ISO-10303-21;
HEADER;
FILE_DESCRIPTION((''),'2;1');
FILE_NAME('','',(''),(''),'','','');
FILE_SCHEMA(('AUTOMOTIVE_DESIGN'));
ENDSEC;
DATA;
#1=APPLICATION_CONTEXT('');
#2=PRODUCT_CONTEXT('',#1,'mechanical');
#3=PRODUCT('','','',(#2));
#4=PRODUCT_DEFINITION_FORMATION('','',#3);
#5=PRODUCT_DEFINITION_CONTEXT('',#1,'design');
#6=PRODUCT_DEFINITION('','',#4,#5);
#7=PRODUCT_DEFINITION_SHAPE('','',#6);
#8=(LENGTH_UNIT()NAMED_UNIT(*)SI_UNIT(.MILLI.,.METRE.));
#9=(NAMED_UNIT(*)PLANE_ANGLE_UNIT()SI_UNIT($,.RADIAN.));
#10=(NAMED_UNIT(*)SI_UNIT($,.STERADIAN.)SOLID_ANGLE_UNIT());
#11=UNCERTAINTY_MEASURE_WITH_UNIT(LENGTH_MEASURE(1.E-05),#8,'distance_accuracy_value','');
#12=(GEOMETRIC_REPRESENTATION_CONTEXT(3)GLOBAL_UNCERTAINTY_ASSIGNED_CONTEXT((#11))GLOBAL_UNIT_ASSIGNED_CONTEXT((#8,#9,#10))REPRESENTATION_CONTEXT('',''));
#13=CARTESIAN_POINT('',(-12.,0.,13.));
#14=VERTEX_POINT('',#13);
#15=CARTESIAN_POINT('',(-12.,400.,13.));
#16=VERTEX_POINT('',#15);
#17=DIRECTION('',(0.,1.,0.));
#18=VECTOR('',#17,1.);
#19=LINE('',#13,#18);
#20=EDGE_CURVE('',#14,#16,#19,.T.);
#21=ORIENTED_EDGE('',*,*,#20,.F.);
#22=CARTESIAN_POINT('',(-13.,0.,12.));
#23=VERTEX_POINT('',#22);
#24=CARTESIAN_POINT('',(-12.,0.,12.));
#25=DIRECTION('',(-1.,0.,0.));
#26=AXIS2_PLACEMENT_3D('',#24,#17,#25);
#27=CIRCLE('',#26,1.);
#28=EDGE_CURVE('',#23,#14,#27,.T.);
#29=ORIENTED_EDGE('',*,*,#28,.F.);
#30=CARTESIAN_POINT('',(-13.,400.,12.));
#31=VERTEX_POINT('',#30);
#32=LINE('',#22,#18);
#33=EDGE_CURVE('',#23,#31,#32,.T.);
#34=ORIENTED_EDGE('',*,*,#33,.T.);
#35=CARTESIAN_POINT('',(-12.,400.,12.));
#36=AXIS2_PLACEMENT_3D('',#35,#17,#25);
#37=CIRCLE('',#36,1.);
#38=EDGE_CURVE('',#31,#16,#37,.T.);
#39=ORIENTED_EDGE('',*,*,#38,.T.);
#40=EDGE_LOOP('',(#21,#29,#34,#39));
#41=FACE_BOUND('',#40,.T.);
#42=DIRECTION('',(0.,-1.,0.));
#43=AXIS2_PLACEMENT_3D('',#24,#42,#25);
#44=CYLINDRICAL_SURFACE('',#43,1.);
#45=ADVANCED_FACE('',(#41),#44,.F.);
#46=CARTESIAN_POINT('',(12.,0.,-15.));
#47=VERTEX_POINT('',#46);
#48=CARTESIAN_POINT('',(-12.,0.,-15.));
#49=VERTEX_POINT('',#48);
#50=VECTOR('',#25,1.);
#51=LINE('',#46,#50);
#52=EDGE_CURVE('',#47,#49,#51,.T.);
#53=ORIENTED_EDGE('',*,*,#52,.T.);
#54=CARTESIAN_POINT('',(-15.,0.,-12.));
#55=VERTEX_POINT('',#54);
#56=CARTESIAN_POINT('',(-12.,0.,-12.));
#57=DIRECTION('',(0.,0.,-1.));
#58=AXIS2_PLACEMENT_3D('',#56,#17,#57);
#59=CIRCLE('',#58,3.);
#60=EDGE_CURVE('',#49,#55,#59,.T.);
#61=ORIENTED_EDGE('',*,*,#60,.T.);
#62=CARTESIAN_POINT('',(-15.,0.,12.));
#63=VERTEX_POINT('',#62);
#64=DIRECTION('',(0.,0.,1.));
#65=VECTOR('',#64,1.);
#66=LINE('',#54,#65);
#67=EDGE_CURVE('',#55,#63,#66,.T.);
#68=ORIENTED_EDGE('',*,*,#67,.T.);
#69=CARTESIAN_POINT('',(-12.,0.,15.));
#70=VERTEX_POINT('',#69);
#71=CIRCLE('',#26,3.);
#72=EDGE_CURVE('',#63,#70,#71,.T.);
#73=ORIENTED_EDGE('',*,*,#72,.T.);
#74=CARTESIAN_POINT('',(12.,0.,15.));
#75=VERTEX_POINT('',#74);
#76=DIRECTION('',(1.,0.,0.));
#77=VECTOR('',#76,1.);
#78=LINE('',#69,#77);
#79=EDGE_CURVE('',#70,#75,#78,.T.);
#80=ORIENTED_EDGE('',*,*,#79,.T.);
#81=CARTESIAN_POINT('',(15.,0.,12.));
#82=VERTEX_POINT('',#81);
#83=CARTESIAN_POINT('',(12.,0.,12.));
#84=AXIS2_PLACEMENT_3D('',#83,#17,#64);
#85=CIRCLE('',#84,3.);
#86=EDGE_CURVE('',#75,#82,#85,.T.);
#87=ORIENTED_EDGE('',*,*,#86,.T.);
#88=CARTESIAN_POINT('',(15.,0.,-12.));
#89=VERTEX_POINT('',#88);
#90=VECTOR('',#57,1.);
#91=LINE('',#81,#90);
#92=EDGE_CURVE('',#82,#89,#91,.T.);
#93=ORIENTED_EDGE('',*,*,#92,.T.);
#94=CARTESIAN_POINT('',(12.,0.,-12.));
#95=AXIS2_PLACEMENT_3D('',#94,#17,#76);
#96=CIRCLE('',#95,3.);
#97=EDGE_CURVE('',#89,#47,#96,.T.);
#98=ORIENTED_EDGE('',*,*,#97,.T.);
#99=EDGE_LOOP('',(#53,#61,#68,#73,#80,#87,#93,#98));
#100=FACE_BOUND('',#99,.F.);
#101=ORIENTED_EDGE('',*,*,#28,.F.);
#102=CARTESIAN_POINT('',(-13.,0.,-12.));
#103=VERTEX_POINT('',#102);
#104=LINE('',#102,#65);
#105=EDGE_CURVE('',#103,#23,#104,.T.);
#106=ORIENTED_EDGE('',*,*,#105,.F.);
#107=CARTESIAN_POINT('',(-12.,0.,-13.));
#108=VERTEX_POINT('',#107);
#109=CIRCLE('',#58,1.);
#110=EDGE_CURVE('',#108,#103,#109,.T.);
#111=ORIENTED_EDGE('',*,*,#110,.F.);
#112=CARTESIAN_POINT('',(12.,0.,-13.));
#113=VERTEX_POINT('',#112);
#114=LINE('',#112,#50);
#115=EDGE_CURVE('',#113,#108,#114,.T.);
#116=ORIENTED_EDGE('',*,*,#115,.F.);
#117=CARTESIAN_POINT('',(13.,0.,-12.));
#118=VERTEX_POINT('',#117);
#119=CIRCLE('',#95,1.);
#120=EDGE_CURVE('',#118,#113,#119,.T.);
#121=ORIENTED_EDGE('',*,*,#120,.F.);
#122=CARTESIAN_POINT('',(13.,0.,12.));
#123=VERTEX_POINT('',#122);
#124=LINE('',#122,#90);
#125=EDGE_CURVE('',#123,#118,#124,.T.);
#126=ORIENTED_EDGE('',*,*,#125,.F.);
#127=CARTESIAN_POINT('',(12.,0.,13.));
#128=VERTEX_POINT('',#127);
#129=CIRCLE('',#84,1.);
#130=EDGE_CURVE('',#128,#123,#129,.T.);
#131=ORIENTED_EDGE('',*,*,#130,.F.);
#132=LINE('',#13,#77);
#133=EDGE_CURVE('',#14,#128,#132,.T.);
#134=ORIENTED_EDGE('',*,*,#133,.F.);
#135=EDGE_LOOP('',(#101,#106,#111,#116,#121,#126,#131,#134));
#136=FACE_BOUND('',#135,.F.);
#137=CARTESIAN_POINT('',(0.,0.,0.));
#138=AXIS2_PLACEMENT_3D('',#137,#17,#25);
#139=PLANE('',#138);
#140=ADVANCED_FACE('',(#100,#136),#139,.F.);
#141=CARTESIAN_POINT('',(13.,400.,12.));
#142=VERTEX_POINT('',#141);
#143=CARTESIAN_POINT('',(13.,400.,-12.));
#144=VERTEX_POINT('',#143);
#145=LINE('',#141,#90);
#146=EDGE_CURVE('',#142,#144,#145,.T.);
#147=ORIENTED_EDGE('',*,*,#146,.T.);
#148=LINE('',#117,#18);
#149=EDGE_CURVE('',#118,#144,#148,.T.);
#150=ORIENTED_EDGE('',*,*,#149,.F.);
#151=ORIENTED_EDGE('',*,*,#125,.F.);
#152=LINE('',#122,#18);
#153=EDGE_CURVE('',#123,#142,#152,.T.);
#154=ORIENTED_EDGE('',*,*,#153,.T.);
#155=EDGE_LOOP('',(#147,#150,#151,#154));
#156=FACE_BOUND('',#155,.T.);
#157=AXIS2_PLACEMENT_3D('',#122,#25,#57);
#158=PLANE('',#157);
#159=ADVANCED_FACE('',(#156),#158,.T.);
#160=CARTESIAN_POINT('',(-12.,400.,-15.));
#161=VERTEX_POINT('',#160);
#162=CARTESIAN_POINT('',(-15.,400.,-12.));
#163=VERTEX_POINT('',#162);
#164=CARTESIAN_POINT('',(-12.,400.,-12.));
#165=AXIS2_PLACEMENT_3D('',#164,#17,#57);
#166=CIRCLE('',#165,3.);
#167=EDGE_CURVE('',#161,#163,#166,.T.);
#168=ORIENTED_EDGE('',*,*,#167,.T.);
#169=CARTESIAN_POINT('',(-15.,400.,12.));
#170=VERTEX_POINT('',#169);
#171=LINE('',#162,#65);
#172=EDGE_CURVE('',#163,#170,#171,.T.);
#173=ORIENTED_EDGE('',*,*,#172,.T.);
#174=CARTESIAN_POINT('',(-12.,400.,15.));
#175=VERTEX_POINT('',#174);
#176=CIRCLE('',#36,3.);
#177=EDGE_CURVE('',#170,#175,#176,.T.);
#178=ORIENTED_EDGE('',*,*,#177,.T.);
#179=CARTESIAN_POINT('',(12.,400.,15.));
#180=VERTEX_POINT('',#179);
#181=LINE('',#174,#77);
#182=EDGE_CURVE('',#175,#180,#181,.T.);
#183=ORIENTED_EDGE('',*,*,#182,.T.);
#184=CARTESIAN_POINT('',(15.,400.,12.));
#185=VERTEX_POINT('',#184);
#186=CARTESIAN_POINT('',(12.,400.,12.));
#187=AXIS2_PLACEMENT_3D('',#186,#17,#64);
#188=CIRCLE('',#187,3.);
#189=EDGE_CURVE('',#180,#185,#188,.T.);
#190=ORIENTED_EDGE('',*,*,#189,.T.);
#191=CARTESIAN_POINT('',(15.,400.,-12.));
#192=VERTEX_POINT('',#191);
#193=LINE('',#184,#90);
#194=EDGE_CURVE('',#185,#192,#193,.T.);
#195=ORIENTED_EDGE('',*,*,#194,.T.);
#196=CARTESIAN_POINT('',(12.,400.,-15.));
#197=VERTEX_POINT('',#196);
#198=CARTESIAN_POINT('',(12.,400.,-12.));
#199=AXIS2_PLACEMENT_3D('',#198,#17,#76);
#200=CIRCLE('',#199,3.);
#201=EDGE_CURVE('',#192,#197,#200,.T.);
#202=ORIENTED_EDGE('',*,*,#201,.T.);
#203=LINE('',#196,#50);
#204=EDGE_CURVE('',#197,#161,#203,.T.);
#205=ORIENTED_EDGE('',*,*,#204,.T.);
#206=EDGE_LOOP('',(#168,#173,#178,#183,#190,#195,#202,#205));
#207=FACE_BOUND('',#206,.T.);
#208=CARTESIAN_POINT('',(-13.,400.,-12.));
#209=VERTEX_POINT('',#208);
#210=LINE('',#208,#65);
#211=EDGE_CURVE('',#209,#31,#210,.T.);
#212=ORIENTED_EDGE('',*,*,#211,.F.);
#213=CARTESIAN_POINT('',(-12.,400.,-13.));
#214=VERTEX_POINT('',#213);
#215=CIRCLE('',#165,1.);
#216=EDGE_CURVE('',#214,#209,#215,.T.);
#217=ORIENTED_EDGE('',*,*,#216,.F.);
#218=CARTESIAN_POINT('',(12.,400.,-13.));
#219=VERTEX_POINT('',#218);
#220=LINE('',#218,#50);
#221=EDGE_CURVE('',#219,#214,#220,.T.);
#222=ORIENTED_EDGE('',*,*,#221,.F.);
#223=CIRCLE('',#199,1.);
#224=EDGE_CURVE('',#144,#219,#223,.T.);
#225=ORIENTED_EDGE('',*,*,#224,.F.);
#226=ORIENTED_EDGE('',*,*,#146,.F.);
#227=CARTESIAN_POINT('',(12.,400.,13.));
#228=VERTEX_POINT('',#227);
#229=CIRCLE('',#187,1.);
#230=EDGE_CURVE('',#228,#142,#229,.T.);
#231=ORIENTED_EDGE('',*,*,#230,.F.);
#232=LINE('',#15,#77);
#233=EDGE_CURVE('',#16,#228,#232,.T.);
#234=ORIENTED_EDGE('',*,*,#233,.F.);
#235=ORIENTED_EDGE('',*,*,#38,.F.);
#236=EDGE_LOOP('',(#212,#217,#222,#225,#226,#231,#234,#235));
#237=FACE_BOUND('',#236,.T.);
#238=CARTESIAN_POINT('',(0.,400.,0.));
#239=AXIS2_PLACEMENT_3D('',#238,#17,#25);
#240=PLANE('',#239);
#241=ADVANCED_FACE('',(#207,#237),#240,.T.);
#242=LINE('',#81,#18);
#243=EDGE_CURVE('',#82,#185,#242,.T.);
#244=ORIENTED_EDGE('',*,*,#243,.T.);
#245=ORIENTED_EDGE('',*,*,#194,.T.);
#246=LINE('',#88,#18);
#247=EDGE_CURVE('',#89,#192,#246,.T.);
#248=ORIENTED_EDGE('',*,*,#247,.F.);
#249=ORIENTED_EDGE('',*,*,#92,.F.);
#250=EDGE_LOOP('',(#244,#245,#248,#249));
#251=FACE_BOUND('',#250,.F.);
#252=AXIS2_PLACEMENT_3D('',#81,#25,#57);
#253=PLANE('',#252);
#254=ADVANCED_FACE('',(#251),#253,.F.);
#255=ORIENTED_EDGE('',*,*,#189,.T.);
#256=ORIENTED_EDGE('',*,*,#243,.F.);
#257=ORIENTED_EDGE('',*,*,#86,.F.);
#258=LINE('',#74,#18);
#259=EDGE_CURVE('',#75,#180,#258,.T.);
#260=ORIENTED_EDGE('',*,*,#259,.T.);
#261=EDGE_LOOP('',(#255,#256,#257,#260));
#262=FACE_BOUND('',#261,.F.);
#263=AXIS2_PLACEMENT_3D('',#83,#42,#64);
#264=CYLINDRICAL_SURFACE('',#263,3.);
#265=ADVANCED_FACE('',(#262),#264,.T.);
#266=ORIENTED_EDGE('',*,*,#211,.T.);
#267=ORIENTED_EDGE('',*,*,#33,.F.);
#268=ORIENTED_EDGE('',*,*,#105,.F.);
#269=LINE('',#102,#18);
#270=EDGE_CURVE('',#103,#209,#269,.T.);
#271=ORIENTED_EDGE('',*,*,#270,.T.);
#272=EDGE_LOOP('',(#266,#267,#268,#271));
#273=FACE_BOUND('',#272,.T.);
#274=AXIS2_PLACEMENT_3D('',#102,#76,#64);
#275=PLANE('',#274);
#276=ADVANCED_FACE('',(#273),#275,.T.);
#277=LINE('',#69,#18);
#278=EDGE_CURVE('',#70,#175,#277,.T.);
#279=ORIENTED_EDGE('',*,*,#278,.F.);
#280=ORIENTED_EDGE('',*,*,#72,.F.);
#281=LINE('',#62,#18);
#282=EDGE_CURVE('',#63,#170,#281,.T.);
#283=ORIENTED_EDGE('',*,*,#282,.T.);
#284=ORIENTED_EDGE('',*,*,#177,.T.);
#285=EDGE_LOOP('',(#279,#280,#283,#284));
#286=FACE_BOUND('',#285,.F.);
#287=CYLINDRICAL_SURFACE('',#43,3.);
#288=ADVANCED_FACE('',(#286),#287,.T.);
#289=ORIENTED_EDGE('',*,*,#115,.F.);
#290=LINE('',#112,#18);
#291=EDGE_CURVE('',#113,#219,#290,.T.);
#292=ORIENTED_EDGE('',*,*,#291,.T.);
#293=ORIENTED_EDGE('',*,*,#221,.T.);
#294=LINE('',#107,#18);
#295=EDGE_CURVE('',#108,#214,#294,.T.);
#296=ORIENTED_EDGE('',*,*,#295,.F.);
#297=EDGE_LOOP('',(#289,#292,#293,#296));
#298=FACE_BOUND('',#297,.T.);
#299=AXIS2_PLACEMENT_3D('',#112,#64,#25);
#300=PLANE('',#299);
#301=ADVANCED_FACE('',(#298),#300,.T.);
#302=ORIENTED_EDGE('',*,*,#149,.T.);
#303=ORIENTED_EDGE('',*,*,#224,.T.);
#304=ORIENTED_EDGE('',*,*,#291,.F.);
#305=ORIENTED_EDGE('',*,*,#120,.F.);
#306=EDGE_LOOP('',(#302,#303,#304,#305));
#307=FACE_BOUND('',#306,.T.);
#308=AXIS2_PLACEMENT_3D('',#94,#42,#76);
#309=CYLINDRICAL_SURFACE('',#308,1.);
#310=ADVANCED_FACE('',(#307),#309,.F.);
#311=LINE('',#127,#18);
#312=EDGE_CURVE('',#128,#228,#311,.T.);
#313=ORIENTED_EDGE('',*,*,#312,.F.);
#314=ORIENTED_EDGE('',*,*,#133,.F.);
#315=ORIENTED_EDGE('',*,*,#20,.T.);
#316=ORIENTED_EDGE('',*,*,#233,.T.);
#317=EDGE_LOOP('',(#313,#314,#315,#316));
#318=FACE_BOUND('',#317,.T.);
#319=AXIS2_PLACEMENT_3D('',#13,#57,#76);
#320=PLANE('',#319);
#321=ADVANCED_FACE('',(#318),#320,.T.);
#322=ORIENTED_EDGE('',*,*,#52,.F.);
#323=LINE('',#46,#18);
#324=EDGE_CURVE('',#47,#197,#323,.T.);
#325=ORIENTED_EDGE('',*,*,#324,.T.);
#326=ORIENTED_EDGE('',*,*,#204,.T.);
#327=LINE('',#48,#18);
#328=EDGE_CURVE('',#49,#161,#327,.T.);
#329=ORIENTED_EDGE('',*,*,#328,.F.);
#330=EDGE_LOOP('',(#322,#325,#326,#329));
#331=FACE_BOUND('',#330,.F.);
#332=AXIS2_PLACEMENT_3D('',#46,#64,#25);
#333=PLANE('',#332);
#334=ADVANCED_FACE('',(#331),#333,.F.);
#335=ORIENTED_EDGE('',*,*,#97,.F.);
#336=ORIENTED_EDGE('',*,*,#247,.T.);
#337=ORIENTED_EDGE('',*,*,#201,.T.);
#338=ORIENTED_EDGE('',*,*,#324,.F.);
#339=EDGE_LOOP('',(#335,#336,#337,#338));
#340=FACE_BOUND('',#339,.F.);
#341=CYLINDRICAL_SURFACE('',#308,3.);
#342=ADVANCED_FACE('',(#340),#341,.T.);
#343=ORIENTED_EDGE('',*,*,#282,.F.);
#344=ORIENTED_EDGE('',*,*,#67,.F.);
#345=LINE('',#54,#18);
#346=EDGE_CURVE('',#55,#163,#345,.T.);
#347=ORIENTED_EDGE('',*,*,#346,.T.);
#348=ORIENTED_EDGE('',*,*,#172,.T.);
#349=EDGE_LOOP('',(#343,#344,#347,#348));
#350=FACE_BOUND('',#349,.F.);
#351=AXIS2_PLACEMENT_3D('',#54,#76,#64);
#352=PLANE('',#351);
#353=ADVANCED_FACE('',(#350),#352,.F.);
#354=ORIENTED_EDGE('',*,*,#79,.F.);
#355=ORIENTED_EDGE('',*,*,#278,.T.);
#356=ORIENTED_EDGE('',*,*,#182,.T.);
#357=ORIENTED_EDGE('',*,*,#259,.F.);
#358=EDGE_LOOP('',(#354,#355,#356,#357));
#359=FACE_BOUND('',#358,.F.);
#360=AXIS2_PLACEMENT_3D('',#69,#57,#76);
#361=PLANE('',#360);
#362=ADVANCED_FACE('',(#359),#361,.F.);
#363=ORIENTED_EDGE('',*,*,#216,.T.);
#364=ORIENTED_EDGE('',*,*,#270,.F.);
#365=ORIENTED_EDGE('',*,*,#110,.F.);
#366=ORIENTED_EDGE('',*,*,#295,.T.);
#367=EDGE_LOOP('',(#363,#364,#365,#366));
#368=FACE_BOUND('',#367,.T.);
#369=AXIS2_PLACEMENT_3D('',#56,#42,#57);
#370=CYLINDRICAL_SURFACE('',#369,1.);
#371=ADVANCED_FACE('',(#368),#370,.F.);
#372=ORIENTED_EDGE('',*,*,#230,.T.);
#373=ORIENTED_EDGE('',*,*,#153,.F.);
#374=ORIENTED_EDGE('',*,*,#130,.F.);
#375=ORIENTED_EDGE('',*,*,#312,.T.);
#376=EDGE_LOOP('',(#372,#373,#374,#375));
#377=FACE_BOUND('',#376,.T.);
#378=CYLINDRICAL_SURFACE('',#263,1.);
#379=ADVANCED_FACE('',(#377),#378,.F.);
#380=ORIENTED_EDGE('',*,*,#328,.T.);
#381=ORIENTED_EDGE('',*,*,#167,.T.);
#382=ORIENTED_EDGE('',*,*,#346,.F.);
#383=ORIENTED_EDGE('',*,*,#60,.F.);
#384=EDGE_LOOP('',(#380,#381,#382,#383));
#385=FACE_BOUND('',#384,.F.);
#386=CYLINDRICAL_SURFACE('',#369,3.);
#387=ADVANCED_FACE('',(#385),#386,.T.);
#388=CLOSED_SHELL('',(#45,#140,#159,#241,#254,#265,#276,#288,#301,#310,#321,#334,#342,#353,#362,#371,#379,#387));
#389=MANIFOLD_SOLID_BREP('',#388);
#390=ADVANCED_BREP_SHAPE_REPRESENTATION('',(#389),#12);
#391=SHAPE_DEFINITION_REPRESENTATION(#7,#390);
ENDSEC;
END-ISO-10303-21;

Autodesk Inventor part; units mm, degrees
ref_plane "YZ Plane" through (0, 0, 0) normal (1, 0, 0) x (0, 1, 0)
ref_plane "XZ Plane" through (0, 0, 0) normal (0, 1, 0) x (-1, 0, 0)
sketch "Sketch1" plane through (0, 0, 0) normal (0, 1, 0) x (-1, 0, 0)
  line L0 (-12, 14) -> (12, 14) construction
  line L1 (14, 12) -> (14, -12) construction
  line L2 (12, -14) -> (-12, -14) construction
  line L3 (-14, -12) -> (-14, 12) construction
  line L4 (-14, 14) -> (14, -14) construction
  line L5 (14, 14) -> (-14, -14) construction
  arc A0 (14, 12) -> (12, 14) centre (12, 12) ccw construction
  arc A1 (12, -14) -> (14, -12) centre (12, -12) ccw construction
  arc A2 (-14, -12) -> (-12, -14) centre (-12, -12) ccw construction
  arc A3 (-12, 14) -> (-14, 12) centre (-12, 12) ccw construction
  line L6 (-12, -15) -> (12, -15)
  arc A4 (12, -15) -> (15, -12) centre (12, -12) ccw
  line L7 (15, -12) -> (15, 12)
  arc A5 (15, 12) -> (12, 15) centre (12, 12) ccw
  line L8 (12, 15) -> (-12, 15)
  arc A6 (-12, 15) -> (-15, 12) centre (-12, 12) ccw
  line L9 (-15, 12) -> (-15, -12)
  arc A7 (-15, -12) -> (-12, -15) centre (-12, -12) ccw
  line L10 (13, -12) -> (13, 12)
  arc A8 (13, 12) -> (12, 13) centre (12, 12) ccw
  line L11 (12, 13) -> (-12, 13)
  arc A9 (-12, 13) -> (-13, 12) centre (-12, 12) ccw
  line L12 (-13, 12) -> (-13, -12)
  arc A10 (-13, -12) -> (-12, -13) centre (-12, -12) ccw
  line L13 (-12, -13) -> (12, -13)
  arc A11 (12, -13) -> (13, -12) centre (12, -12) ccw
  point P0 (0, 0)
  point P1 (0, 0)
  point P2 (0, 0)
  dimension "d10" = 2
  dimension "depth" = 30
  dimension "width" = 30
  dimension "thickness" = 2
extrude "Extrusion1" add sketch "Sketch1" along normal blind 400
ref_plane "Work Plane1" through (0, 200, 0) normal (0, -1, 0) x (1, 0, 0)
equation "\"d10\" = thickness"
properties part number "podest duzy profil 8" material "Steel"
